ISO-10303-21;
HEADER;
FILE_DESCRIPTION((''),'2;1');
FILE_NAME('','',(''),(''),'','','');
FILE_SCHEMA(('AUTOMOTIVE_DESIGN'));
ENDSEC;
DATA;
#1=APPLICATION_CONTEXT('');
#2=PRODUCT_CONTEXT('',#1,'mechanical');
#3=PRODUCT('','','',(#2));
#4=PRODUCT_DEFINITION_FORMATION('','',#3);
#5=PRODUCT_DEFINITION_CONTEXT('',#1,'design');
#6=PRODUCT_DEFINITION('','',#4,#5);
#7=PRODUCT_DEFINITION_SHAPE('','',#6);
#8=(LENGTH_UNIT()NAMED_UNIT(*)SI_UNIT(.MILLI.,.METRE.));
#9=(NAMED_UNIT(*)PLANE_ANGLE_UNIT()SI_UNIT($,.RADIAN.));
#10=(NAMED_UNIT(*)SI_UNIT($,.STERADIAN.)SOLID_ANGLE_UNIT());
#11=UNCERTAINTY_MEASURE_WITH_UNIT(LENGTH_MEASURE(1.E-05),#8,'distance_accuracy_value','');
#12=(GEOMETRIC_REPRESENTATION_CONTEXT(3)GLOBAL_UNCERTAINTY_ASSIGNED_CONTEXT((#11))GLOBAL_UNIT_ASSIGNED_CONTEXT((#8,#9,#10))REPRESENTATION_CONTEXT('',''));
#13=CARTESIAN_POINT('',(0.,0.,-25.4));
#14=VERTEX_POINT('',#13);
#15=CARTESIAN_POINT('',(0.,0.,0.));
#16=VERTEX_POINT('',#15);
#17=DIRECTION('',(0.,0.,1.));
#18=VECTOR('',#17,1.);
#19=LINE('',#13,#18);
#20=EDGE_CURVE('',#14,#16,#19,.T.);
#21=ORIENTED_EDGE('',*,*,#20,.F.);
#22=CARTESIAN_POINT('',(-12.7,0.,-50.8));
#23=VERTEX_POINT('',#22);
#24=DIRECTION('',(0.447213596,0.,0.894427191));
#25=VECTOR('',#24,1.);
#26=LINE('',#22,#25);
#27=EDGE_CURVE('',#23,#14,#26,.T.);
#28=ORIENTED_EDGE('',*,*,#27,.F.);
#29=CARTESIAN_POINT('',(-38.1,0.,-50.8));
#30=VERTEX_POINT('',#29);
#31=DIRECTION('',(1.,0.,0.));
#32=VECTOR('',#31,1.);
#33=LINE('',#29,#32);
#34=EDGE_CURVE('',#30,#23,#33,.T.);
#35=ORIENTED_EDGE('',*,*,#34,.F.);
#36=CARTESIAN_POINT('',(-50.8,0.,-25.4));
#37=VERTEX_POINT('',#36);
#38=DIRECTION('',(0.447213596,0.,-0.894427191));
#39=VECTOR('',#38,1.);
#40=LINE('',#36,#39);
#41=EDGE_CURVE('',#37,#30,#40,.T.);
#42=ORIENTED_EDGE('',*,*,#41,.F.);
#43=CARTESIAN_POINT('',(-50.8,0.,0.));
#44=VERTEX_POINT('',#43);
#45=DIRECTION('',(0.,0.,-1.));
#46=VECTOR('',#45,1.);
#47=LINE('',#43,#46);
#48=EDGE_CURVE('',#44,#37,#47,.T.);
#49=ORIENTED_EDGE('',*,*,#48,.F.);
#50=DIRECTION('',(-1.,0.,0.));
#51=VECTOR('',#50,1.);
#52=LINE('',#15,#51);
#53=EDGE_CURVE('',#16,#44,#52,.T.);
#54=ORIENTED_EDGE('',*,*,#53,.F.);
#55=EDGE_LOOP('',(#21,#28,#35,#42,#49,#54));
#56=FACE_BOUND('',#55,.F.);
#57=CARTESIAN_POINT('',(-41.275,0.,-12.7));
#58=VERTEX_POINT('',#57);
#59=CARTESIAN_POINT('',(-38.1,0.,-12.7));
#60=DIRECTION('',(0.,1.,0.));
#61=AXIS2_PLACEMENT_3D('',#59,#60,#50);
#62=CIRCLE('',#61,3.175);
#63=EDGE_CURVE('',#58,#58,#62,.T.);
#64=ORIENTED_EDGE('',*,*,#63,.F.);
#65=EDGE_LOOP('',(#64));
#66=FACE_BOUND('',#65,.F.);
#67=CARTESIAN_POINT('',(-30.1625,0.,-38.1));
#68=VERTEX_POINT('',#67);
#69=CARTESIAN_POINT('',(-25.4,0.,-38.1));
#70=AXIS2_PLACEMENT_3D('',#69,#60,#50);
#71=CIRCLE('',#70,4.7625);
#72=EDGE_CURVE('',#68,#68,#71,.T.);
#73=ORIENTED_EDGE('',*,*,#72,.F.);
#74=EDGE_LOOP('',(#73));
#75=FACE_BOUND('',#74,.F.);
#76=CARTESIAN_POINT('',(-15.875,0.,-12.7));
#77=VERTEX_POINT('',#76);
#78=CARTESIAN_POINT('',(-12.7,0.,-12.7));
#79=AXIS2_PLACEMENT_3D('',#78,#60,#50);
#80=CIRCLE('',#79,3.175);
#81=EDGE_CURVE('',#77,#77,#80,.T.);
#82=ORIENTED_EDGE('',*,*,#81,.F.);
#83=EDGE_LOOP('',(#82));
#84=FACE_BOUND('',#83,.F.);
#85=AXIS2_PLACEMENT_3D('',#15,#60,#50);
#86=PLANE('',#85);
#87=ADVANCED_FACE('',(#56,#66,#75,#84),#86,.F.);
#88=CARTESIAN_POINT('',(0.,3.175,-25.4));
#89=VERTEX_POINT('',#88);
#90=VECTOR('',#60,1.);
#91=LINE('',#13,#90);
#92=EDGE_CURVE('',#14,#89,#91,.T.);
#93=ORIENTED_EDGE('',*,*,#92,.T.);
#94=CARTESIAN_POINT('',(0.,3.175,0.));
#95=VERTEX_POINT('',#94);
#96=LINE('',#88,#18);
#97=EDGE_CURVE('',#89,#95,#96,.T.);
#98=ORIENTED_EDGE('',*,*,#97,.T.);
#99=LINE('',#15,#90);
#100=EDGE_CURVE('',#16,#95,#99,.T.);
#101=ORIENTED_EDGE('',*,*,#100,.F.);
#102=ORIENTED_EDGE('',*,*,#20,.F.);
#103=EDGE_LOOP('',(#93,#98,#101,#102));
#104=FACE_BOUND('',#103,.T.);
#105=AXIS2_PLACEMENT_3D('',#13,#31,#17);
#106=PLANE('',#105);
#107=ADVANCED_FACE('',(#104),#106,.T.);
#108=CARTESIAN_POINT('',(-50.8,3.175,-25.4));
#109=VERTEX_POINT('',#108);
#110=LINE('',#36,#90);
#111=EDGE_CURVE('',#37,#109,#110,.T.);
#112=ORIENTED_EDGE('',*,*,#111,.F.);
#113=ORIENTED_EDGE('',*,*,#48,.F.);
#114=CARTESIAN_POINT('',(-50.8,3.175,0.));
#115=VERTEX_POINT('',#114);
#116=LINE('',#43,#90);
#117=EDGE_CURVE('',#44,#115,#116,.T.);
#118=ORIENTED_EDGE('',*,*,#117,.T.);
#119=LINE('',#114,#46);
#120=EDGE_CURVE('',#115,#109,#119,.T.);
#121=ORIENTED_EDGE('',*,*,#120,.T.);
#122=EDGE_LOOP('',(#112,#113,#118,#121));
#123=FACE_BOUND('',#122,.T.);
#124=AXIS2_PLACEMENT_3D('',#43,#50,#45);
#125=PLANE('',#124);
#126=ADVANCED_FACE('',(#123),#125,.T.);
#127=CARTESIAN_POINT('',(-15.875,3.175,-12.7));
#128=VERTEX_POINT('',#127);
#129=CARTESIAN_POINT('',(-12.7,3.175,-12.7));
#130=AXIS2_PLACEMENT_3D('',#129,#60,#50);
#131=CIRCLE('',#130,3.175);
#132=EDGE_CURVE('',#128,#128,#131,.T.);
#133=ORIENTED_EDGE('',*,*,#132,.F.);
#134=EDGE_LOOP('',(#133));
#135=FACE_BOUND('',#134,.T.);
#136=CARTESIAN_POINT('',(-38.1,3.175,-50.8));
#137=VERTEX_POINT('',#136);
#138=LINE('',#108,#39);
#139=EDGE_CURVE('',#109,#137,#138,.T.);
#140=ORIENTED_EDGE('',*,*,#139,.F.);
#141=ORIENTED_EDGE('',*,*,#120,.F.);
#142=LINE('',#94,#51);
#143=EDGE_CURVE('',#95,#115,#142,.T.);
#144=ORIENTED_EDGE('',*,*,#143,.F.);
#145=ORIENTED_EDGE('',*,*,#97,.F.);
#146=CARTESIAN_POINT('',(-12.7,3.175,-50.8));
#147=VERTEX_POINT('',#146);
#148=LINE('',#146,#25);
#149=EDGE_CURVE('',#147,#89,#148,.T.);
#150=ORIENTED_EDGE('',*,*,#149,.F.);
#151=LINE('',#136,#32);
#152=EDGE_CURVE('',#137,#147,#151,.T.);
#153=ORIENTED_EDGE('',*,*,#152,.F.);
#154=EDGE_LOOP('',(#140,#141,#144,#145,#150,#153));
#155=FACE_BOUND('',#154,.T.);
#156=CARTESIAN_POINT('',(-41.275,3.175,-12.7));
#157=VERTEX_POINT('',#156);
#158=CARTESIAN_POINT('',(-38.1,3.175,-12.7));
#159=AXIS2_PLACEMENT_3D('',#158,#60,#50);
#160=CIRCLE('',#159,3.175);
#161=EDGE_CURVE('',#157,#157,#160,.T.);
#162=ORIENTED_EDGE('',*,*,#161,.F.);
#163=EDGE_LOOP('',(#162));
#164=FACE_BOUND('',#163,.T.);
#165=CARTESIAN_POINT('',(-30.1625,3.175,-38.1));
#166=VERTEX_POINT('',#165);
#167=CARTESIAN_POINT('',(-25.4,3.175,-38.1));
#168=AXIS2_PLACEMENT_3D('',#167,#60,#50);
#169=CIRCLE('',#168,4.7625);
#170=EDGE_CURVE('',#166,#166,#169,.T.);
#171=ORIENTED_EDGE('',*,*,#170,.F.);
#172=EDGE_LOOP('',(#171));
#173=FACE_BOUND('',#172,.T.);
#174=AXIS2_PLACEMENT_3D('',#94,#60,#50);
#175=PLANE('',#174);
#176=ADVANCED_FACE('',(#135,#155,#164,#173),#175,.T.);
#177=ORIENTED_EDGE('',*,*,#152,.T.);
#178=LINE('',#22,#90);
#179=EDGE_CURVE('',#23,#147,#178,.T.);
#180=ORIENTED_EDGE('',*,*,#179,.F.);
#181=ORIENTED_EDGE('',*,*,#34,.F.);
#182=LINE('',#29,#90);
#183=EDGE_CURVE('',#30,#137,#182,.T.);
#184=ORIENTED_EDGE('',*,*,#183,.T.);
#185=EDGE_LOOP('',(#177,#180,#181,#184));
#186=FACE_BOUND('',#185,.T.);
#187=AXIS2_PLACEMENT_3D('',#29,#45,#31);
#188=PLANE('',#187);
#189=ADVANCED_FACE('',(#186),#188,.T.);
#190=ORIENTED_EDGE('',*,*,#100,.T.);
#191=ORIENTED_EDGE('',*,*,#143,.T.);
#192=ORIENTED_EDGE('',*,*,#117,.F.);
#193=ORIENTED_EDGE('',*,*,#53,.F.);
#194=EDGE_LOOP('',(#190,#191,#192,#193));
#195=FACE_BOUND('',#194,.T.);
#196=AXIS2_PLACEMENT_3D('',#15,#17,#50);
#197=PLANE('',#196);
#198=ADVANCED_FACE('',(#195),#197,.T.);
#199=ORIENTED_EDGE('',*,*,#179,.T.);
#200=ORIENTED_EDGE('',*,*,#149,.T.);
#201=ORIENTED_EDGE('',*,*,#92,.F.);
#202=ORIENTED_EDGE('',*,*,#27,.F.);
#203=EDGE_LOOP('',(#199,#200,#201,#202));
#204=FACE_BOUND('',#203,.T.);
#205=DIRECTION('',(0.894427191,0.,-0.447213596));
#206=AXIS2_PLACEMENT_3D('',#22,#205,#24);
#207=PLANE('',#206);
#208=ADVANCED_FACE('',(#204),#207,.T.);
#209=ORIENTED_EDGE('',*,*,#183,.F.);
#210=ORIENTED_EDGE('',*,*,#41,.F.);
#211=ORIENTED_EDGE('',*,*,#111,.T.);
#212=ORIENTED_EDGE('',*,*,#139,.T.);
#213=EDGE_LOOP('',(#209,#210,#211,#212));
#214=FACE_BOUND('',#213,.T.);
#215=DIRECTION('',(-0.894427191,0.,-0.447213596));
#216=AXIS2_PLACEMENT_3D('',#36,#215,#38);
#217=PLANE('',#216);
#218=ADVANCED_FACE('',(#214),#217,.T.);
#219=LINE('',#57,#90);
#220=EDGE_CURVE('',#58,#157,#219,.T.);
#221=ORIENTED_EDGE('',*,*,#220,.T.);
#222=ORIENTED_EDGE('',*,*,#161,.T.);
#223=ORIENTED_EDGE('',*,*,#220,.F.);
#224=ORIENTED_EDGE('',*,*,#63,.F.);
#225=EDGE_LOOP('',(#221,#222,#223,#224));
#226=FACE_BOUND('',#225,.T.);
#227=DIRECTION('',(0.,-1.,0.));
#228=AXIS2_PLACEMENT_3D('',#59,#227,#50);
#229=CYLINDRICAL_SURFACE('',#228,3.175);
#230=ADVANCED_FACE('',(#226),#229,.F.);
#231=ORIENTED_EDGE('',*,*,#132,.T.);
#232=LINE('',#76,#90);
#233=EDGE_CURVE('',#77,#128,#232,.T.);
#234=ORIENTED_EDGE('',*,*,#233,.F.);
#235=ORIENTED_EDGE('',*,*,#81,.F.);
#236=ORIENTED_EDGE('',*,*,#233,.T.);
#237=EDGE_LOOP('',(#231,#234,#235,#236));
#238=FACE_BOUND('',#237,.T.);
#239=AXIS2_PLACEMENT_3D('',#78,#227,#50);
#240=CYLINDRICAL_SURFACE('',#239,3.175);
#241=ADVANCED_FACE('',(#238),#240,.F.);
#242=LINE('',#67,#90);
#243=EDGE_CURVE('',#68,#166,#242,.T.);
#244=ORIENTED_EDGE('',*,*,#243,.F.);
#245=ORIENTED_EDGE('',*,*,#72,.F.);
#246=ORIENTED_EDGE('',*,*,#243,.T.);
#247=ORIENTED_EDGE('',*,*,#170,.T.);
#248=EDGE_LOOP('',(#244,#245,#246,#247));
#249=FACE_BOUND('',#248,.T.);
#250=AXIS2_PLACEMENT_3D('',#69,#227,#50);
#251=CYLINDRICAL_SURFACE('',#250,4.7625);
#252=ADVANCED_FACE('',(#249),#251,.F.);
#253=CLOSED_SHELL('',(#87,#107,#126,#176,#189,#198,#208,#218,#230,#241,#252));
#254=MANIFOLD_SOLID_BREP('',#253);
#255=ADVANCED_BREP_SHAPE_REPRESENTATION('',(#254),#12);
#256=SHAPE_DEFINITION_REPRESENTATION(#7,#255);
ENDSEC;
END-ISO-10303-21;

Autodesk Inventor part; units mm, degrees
ref_plane "YZ Plane" through (0, 0, 0) normal (1, 0, 0) x (0, 1, 0)
ref_plane "XZ Plane" through (0, 0, 0) normal (0, 1, 0) x (-1, 0, 0)
ref_plane "XY Plane" through (0, 0, 0) normal (0, 0, 1) x (1, 0, 0)
sketch "Sketch1" plane through (0, 0, 0) normal (0, 1, 0) x (-1, 0, 0)
  line L0 (0, 0) -> (50.8, 0)
  line L1 (50.8, 0) -> (50.8, -25.4)
  line L2 (50.8, -25.4) -> (38.1, -50.8)
  line L3 (38.1, -50.8) -> (12.7, -50.8)
  line L4 (12.7, -50.8) -> (0, -25.4)
  line L5 (0, -25.4) -> (0, 0)
  circle A0 centre (12.7, -12.7) radius 3.175
  circle A1 centre (38.1, -12.7) radius 3.175
  circle A2 centre (25.4, -38.1) radius 4.7625
  dimension "d0" = 25.4
  dimension "d1" = 50.8
  dimension "d2" = 25.4
  dimension "d3" = 50.8
  dimension "d4" = 12.7
  dimension "d5" = 6.35
  dimension "d6" = 6.35
  dimension "d7" = 12.7
  dimension "d8" = 12.7
  dimension "d9" = 12.7
  dimension "d10" = 12.7
  dimension "d11" = 9.525
  dimension "d12" = 12.7
  dimension "d13" = 12.7
extrude "Extrusion1" add sketch "Sketch1" along normal blind 3.175
properties part number "15102898-16-P-0212"
